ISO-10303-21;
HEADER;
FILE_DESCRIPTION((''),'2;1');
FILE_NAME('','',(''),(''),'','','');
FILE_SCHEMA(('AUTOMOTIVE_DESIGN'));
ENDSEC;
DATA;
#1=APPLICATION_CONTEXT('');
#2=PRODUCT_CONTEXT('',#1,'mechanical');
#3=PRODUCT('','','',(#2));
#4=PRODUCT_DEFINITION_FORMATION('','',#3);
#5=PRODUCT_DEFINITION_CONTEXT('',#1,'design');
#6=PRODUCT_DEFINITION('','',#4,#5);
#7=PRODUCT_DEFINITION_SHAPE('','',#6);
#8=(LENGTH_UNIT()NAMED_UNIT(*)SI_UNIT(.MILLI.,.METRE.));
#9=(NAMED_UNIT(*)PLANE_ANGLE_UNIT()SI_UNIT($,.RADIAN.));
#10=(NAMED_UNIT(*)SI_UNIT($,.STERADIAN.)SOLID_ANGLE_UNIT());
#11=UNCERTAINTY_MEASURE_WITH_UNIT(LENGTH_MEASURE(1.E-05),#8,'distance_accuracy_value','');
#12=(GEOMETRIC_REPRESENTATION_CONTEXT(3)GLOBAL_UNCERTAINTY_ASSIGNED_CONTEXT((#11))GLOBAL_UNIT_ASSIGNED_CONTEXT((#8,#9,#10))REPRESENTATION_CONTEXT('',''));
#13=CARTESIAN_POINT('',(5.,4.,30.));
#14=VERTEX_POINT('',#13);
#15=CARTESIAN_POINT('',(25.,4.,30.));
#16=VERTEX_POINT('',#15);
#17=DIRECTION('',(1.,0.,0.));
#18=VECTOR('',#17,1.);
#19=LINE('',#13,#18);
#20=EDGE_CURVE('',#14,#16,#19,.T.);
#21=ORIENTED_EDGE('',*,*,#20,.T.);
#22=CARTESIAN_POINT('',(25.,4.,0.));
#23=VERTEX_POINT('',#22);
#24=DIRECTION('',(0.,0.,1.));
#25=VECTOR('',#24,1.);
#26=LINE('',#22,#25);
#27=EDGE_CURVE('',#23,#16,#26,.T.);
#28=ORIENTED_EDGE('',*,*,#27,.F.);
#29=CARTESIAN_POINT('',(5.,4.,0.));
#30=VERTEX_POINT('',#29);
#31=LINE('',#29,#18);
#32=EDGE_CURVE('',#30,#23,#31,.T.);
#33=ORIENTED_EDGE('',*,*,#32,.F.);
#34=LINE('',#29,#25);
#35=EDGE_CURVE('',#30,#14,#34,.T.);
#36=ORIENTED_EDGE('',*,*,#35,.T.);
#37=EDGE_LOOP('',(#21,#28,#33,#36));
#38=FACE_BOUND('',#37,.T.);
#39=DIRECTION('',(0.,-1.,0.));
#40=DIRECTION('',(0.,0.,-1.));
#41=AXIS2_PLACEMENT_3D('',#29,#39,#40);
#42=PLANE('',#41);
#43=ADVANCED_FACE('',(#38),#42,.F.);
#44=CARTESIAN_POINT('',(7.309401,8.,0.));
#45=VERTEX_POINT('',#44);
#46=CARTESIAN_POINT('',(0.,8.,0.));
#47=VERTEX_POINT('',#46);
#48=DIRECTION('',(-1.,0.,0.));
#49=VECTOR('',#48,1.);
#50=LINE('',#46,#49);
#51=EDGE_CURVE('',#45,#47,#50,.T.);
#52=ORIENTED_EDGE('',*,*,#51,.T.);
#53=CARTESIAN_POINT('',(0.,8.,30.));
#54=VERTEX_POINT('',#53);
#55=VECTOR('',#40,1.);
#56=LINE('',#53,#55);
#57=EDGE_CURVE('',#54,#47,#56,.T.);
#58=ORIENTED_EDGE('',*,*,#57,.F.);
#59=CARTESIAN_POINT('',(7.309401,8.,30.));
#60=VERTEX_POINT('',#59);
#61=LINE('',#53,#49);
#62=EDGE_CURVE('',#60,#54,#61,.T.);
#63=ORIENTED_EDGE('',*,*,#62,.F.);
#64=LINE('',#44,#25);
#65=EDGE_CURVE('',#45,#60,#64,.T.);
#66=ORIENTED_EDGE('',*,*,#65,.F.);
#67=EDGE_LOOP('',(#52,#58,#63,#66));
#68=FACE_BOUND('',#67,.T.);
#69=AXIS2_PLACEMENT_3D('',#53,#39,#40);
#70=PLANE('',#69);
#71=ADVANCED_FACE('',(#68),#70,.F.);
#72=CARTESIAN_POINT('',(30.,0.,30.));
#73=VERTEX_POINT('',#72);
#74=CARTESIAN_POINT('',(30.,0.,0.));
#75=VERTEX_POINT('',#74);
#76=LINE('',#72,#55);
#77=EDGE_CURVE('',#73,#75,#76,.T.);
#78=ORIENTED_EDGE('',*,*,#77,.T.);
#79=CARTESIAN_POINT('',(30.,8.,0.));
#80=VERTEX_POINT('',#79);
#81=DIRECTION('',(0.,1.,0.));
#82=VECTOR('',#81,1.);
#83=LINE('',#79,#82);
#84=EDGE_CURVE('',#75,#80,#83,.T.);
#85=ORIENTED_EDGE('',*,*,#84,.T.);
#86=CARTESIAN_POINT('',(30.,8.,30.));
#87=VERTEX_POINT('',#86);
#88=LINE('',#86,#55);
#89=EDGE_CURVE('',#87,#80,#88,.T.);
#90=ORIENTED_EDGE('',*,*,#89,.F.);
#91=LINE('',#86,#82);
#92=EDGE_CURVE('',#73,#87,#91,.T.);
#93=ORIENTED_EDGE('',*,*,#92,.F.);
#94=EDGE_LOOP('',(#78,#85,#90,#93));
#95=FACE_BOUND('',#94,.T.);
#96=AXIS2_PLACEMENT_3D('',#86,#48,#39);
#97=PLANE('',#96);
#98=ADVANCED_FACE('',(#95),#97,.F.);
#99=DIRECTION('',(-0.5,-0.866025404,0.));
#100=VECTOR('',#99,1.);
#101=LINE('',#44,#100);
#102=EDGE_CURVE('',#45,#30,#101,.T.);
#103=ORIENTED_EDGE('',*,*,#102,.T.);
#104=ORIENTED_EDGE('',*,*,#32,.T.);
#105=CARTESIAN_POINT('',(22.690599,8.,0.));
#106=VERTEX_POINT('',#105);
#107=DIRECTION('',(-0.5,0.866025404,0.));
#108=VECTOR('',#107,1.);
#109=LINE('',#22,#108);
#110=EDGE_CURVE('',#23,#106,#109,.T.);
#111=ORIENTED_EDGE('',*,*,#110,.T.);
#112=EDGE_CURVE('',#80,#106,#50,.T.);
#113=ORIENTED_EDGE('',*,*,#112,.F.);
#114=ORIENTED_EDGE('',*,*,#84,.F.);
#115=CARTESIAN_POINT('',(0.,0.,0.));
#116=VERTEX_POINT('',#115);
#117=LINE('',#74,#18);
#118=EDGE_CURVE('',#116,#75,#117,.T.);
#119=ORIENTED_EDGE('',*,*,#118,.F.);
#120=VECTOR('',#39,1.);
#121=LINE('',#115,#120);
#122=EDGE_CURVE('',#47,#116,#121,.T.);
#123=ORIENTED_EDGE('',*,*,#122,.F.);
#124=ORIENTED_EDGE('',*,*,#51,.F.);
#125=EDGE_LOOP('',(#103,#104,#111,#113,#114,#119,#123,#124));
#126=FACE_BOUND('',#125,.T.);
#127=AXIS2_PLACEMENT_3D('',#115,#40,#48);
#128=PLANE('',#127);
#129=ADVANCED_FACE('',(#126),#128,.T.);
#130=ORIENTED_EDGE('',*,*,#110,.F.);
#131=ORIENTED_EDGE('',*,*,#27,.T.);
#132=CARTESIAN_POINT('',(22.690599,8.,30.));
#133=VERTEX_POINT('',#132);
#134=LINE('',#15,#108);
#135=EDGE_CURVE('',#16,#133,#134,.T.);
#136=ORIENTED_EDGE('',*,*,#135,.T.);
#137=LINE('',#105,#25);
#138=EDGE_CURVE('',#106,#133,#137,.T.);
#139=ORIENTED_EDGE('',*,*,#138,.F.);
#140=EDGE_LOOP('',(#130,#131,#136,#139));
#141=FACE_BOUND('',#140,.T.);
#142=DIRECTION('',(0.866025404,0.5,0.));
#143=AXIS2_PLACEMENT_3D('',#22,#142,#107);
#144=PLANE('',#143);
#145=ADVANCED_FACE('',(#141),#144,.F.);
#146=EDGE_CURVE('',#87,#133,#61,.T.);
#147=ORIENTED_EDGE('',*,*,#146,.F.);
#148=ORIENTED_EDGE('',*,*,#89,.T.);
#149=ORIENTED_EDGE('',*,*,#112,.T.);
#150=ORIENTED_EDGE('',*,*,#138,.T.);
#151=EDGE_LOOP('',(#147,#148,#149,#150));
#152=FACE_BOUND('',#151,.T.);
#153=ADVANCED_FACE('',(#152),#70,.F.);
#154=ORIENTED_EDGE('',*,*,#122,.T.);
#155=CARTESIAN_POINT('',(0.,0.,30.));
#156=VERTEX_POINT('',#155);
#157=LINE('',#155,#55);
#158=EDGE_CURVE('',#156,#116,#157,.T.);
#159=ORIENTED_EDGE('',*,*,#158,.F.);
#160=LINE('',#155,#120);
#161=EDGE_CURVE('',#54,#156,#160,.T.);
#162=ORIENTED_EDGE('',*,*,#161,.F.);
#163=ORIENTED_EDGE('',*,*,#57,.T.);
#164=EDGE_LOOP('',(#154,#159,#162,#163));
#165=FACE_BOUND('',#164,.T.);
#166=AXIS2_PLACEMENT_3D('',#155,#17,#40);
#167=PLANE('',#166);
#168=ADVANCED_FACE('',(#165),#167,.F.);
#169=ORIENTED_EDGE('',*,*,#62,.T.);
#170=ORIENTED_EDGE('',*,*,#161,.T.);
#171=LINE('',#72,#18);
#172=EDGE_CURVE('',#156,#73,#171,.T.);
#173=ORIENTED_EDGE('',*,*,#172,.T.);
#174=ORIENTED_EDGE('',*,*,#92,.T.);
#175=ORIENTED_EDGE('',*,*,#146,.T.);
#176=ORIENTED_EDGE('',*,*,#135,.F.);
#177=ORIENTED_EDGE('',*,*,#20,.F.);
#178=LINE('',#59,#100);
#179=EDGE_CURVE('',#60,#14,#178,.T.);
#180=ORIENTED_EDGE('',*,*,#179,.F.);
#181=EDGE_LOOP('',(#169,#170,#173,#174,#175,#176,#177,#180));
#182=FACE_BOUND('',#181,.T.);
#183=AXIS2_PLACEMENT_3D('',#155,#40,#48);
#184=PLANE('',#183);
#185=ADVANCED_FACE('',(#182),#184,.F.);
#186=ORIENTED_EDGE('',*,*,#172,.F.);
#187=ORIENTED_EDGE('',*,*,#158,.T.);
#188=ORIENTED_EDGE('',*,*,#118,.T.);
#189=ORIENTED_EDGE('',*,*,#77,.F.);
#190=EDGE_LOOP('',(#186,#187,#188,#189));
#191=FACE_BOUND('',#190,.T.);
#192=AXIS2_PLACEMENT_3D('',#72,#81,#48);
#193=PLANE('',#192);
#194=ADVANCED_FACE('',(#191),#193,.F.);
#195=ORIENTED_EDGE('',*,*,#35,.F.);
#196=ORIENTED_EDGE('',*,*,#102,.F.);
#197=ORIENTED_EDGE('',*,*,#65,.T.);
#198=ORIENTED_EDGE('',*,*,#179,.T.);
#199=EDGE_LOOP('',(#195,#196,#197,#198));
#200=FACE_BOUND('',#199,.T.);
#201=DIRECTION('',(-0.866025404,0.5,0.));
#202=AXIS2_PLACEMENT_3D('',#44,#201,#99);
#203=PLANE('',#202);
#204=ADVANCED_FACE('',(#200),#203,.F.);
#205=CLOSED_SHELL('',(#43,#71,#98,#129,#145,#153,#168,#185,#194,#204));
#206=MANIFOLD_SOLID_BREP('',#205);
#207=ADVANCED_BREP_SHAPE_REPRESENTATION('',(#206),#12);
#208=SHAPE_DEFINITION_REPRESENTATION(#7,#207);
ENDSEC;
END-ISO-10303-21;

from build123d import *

# Parameters (mm, degrees)
SKETCH_1_W          = 30
SKETCH_1_H          = 8
EXTRUDE_1_DEPTH     = 30
CUT_EXTRUDE_1_DEPTH = 44.17406629


with BuildPart() as part:
    # Эскиз1 → Бобышка-Вытянуть1 (new body)
    with BuildSketch(Plane.XY):
        with Locations((15, 4)):
            Rectangle(SKETCH_1_W, SKETCH_1_H)
    extrude(amount=EXTRUDE_1_DEPTH)

    # Эскиз2 → Вырез-Вытянуть1 (cut, through all)
    with BuildSketch(Plane.XY.offset(30)):
        Polygon((7.309401077, 8), (5, 4), (25, 4), (22.690598923, 8), align=None)
    extrude(amount=-CUT_EXTRUDE_1_DEPTH, mode=Mode.SUBTRACT)


solid = part.part
